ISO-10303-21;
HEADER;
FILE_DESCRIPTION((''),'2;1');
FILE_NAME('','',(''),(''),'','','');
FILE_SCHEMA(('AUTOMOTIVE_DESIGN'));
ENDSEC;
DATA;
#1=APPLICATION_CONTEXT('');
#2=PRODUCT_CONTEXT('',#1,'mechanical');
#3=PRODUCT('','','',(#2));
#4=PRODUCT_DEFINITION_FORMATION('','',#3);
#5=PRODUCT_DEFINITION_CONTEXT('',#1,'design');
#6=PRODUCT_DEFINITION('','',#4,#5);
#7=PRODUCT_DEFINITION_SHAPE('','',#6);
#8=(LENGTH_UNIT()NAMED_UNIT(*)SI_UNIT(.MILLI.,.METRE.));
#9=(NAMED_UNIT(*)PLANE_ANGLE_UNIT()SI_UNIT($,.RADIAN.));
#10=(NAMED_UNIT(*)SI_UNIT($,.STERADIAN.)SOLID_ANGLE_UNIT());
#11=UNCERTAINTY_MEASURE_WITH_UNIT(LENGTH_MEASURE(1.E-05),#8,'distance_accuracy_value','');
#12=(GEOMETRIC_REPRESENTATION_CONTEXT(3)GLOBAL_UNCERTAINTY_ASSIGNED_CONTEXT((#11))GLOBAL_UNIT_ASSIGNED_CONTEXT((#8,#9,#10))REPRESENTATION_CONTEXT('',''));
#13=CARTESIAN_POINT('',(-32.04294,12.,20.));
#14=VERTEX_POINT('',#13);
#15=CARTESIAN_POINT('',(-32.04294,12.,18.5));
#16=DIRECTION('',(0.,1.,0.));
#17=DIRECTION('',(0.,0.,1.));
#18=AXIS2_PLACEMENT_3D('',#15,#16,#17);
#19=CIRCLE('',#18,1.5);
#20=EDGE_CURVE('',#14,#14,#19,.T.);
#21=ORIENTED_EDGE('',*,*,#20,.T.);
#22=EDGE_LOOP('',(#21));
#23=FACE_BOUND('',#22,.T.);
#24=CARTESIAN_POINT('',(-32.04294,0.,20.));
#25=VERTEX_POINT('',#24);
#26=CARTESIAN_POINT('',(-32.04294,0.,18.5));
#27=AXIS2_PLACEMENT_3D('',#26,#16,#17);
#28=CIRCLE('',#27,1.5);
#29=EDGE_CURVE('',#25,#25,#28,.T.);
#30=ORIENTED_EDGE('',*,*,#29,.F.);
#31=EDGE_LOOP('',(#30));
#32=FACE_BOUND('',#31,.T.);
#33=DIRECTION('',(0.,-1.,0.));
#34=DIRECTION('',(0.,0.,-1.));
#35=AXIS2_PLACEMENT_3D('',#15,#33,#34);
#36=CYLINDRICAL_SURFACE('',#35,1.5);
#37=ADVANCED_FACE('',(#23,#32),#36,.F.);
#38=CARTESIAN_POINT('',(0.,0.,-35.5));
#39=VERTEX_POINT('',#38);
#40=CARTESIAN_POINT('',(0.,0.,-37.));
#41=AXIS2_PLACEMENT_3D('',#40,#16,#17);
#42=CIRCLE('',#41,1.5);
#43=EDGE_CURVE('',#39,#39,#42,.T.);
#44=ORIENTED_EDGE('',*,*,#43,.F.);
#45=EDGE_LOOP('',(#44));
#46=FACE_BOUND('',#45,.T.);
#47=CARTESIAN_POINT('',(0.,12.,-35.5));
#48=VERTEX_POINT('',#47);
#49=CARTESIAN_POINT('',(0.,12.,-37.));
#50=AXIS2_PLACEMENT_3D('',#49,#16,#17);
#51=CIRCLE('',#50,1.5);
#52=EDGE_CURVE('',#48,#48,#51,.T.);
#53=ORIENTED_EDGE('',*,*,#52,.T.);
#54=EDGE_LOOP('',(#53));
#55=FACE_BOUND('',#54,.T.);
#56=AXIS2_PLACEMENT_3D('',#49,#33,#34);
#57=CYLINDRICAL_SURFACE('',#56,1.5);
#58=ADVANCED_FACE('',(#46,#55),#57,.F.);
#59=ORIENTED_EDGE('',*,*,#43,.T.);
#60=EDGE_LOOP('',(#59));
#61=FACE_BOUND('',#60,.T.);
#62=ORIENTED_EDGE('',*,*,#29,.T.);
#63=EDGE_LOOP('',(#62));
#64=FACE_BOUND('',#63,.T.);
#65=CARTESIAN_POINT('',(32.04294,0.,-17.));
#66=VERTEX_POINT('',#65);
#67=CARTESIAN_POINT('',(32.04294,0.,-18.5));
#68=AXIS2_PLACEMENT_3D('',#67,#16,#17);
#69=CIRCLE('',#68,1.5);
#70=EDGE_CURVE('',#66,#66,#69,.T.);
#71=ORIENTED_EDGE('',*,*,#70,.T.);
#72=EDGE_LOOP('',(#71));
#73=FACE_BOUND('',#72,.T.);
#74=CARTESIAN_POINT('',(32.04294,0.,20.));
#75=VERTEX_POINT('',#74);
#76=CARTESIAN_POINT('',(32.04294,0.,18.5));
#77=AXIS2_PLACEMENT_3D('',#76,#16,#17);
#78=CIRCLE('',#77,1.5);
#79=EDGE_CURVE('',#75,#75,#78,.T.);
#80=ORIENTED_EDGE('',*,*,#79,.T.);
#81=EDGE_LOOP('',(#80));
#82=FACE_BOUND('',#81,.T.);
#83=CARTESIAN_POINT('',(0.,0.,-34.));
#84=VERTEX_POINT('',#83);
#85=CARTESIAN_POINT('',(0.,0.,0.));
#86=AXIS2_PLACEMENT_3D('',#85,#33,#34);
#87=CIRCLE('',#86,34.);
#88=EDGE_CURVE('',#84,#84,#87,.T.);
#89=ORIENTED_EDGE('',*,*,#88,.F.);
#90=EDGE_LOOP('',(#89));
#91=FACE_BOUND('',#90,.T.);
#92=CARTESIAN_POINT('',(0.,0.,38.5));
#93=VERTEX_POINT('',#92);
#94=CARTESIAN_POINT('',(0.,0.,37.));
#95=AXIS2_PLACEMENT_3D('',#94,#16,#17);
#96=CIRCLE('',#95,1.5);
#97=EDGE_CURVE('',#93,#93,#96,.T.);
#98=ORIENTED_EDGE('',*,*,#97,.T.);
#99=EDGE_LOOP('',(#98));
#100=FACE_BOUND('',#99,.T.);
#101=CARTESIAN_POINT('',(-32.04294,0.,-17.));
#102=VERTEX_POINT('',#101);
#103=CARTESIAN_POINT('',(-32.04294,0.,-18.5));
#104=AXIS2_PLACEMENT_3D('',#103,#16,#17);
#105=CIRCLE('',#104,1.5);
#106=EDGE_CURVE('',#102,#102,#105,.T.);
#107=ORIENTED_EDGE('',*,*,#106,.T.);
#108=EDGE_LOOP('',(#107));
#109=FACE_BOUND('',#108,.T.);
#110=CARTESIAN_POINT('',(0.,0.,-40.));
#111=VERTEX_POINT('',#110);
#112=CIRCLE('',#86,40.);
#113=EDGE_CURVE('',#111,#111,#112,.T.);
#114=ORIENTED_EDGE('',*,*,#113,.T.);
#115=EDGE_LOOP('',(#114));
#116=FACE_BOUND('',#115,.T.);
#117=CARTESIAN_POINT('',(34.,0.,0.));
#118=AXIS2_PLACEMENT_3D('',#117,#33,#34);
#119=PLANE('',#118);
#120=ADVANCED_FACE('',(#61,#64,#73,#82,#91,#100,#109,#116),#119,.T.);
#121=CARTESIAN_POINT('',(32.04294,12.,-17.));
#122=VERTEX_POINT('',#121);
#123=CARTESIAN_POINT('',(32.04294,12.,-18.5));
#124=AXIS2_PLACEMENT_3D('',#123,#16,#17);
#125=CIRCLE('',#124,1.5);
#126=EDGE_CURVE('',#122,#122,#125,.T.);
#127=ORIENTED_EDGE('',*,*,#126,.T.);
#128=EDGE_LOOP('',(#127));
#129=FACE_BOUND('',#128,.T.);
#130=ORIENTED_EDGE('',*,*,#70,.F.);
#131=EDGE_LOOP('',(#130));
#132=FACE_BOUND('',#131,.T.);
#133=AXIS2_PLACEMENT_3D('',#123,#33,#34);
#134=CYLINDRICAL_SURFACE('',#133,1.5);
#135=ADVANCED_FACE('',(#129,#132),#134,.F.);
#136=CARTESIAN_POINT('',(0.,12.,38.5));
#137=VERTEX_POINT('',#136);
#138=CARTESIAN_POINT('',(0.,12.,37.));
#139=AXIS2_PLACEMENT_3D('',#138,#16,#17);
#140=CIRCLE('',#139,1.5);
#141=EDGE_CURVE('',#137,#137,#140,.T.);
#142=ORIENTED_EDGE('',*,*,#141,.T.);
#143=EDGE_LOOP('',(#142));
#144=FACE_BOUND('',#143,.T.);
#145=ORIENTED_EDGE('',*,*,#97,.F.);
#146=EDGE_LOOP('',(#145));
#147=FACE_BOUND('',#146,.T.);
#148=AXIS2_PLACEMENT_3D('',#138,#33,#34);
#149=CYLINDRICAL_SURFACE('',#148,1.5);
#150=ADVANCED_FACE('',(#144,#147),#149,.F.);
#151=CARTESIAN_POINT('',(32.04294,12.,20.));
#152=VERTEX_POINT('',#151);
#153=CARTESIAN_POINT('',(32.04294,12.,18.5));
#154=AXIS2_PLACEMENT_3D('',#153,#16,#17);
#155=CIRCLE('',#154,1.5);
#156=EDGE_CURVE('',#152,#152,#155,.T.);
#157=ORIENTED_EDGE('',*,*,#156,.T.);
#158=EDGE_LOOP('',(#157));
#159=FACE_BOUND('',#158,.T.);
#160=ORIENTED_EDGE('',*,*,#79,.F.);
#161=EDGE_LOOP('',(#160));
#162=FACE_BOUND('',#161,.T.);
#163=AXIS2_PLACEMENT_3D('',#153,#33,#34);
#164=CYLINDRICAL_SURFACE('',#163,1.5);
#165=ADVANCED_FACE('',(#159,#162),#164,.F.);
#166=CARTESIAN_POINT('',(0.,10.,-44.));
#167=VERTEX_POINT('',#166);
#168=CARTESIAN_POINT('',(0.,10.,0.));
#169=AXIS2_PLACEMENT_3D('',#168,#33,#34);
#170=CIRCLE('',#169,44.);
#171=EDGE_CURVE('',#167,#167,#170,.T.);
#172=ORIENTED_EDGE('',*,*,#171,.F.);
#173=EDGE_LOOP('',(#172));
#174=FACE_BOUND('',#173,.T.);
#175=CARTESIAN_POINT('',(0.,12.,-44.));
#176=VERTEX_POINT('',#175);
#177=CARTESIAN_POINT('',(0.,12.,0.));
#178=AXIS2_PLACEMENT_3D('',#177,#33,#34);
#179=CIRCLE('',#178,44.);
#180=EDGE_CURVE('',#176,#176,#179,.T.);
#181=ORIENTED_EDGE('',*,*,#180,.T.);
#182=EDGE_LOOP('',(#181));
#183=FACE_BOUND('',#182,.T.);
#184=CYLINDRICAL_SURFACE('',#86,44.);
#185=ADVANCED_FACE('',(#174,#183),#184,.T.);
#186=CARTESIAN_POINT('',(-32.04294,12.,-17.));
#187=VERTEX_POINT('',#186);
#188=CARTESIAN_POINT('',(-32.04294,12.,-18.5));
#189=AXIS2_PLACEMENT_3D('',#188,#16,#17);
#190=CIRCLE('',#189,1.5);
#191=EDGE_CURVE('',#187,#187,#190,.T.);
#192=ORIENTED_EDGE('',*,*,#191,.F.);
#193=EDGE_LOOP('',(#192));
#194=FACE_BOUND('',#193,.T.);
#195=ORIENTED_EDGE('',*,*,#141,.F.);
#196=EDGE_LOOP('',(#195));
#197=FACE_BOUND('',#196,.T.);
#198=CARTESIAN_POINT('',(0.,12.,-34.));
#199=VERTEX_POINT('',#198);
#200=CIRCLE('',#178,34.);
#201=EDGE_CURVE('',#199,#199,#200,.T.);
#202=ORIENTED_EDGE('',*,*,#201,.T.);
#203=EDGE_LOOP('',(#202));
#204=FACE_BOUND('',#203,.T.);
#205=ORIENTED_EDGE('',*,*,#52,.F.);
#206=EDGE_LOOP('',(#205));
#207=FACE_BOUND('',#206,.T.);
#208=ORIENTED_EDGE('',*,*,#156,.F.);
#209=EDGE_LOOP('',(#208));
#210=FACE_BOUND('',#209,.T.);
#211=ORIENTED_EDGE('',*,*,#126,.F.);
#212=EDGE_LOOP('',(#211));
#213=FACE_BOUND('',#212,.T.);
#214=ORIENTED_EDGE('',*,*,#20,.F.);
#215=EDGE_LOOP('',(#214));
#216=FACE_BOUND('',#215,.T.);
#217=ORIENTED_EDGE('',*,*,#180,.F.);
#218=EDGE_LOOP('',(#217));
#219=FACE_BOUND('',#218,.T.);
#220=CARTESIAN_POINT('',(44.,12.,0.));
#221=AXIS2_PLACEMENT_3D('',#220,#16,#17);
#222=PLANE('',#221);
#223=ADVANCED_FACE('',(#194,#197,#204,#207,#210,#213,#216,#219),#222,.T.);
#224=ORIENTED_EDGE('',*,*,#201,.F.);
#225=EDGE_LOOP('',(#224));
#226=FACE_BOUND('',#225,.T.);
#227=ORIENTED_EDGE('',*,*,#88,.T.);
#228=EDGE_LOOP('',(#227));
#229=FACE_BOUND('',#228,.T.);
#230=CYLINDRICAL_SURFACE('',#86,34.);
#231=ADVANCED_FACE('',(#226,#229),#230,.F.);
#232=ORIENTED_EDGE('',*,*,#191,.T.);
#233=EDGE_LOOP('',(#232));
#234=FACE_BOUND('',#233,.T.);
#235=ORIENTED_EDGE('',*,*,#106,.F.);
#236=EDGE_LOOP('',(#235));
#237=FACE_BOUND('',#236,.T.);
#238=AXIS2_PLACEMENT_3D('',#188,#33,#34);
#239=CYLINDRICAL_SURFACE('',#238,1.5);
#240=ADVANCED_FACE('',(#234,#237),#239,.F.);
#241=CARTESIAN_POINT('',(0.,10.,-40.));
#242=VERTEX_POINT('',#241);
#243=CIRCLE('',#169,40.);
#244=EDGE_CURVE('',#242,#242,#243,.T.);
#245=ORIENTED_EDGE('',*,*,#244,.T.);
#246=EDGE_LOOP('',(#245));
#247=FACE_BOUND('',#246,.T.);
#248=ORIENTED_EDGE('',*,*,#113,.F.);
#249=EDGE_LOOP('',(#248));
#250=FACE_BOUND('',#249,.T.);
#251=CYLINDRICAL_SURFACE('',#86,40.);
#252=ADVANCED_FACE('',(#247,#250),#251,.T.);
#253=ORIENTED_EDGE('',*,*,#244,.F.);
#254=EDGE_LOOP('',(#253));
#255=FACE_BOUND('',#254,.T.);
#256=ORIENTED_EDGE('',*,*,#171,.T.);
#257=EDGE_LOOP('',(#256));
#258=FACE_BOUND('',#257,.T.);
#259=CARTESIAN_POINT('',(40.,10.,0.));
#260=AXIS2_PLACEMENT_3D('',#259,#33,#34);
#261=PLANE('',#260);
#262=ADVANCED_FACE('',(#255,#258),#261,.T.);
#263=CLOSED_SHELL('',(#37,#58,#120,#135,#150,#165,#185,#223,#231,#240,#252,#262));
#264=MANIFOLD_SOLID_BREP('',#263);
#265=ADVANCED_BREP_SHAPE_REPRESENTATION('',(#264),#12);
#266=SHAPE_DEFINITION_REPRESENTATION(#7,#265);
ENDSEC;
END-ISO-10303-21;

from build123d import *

# Parameters (mm, degrees)
SKETCH_4_R          = 1.5
CUT_EXTRUDE_1_DEPTH = 64.371918071


with BuildPart() as part:
    # 草图2 → 旋转1 (revolve)
    with BuildSketch(Plane.XY, mode=Mode.PRIVATE) as revolve_1_sk:
        Polygon((34, 12), (34, 0), (40, 0), (40, 10), (44, 10), (44, 12), align=None)
    revolve(revolve_1_sk.sketch.rotate(Axis((0, 0, 0), (0, 1, 0)), 90), axis=Axis((0, 0, 0), (0, 1, 0)))

    # 草图4 → 切除-拉伸1 (cut, through all)
    with BuildSketch(Plane(origin=(0, 0, 0), x_dir=(1, 0, 0), z_dir=(0, 1, 0))):
        with Locations(Location((0, 37, 0), (0, 0, 270))):
            Circle(SKETCH_4_R)
        with Locations(Location((32.04293994, 18.5, 0), (0, 0, 270))):
            Circle(SKETCH_4_R)
        with Locations(Location((32.04293994, -18.5, 0), (0, 0, 270))):
            Circle(SKETCH_4_R)
        with Locations(Location((0, -37, 0), (0, 0, 270))):
            Circle(SKETCH_4_R)
        with Locations(Location((-32.04293994, -18.5, 0), (0, 0, 270))):
            Circle(SKETCH_4_R)
        with Locations(Location((-32.04293994, 18.5, 0), (0, 0, 270))):
            Circle(SKETCH_4_R)
    extrude(amount=CUT_EXTRUDE_1_DEPTH, mode=Mode.SUBTRACT)


solid = part.part
